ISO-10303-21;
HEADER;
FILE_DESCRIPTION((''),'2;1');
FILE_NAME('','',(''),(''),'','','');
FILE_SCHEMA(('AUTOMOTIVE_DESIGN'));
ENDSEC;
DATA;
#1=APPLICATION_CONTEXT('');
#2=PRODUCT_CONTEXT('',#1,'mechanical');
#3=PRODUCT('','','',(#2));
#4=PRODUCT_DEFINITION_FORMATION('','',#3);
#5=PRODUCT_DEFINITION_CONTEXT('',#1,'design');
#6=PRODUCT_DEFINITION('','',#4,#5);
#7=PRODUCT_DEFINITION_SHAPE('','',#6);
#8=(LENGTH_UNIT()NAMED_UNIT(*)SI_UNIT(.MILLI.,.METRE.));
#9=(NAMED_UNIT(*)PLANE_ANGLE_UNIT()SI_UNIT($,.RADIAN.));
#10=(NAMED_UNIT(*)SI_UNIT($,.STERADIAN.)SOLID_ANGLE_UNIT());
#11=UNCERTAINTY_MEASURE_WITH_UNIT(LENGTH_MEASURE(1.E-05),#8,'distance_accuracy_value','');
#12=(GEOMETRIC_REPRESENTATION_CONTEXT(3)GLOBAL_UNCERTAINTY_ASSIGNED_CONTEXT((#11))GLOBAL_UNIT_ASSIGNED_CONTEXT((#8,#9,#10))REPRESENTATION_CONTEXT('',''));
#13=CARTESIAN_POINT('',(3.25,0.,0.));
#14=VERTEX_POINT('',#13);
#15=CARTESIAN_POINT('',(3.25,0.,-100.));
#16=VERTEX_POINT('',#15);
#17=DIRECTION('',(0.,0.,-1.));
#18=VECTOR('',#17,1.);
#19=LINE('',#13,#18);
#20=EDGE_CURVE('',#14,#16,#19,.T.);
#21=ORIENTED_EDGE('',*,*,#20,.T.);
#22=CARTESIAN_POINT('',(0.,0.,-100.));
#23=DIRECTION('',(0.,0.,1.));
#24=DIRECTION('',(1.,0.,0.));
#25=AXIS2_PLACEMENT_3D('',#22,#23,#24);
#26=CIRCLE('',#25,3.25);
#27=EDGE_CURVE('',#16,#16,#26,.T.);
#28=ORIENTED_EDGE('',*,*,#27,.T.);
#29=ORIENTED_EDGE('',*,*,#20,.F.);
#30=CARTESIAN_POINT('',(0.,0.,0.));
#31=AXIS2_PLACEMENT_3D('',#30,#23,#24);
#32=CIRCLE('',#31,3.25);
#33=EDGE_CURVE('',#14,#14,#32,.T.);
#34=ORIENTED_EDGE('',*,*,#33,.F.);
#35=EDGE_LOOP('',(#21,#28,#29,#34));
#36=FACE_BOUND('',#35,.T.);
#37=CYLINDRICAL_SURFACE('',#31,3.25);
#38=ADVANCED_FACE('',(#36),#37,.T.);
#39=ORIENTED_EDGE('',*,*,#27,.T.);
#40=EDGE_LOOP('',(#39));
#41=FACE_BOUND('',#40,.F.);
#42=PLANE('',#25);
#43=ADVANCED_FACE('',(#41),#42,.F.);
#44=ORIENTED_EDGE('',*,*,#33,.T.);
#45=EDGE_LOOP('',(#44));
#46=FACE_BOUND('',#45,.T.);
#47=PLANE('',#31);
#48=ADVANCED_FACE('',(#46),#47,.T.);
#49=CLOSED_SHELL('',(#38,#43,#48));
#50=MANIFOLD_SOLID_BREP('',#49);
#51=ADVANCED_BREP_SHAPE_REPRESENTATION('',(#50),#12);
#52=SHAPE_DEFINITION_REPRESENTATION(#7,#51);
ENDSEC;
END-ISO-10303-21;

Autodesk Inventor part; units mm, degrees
ref_plane "YZ Plane" through (0, 0, 0) normal (1, 0, 0) x (0, 1, 0)
ref_plane "XZ Plane" through (0, 0, 0) normal (0, 1, 0) x (-1, 0, 0)
ref_plane "XY Plane" through (0, 0, 0) normal (0, 0, 1) x (1, 0, 0)
sketch "Sketch2" plane through (0, 0, 0) normal (0, 0, 1) x (1, 0, 0)
  circle A0 centre (0, 0) radius 3.25
  dimension "d2" = 6.5
extrude "Extrusion1" add sketch "Sketch2" against normal blind 100
equation "\"d2\" = R"
equation "\"R\" = 6.5"
equation "\"thickness\" = 5"
equation "\"width\" = 6.5"
equation "\"R1\" = 9"
